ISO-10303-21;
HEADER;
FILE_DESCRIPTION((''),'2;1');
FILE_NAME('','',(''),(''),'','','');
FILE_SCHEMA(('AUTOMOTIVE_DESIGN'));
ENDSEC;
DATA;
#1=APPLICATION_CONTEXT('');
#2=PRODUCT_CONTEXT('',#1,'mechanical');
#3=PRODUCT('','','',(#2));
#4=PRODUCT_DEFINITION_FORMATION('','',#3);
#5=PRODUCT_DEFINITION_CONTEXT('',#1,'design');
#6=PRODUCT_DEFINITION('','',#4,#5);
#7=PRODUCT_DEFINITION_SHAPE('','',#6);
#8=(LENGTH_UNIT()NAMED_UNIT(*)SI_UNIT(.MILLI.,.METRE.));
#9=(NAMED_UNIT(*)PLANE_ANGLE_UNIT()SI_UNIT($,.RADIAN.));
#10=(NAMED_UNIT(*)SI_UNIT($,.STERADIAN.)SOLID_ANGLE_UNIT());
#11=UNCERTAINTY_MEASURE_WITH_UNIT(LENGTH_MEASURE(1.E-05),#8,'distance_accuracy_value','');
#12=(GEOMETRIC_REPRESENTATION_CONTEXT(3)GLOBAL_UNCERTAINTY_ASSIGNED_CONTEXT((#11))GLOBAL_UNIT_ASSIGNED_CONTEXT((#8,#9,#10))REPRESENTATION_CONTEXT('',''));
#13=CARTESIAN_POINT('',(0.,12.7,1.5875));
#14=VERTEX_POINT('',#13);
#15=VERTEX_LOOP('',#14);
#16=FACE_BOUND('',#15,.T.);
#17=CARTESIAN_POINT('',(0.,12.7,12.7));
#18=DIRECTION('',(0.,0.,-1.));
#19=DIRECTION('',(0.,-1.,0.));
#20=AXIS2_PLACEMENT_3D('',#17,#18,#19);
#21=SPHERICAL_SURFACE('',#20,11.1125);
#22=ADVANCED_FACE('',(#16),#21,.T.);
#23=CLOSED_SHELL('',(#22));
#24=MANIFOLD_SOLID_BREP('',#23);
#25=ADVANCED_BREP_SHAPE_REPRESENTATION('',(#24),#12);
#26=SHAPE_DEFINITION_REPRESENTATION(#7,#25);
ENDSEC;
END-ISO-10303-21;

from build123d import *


with BuildPart() as f1:
    # F0 (on Right) → F1 (revolve)
    with BuildSketch(Plane.YZ):
        with BuildLine():
            ThreePointArc((12.7, 23.8125), (1.5875, 12.7), (12.7, 1.5875))
            Line((12.7, 1.5875), (12.7, 23.8125))
        make_face()
    revolve(axis=Axis((0, 12.7, 12.7), (0, 0, -1)))


solid = f1.part
